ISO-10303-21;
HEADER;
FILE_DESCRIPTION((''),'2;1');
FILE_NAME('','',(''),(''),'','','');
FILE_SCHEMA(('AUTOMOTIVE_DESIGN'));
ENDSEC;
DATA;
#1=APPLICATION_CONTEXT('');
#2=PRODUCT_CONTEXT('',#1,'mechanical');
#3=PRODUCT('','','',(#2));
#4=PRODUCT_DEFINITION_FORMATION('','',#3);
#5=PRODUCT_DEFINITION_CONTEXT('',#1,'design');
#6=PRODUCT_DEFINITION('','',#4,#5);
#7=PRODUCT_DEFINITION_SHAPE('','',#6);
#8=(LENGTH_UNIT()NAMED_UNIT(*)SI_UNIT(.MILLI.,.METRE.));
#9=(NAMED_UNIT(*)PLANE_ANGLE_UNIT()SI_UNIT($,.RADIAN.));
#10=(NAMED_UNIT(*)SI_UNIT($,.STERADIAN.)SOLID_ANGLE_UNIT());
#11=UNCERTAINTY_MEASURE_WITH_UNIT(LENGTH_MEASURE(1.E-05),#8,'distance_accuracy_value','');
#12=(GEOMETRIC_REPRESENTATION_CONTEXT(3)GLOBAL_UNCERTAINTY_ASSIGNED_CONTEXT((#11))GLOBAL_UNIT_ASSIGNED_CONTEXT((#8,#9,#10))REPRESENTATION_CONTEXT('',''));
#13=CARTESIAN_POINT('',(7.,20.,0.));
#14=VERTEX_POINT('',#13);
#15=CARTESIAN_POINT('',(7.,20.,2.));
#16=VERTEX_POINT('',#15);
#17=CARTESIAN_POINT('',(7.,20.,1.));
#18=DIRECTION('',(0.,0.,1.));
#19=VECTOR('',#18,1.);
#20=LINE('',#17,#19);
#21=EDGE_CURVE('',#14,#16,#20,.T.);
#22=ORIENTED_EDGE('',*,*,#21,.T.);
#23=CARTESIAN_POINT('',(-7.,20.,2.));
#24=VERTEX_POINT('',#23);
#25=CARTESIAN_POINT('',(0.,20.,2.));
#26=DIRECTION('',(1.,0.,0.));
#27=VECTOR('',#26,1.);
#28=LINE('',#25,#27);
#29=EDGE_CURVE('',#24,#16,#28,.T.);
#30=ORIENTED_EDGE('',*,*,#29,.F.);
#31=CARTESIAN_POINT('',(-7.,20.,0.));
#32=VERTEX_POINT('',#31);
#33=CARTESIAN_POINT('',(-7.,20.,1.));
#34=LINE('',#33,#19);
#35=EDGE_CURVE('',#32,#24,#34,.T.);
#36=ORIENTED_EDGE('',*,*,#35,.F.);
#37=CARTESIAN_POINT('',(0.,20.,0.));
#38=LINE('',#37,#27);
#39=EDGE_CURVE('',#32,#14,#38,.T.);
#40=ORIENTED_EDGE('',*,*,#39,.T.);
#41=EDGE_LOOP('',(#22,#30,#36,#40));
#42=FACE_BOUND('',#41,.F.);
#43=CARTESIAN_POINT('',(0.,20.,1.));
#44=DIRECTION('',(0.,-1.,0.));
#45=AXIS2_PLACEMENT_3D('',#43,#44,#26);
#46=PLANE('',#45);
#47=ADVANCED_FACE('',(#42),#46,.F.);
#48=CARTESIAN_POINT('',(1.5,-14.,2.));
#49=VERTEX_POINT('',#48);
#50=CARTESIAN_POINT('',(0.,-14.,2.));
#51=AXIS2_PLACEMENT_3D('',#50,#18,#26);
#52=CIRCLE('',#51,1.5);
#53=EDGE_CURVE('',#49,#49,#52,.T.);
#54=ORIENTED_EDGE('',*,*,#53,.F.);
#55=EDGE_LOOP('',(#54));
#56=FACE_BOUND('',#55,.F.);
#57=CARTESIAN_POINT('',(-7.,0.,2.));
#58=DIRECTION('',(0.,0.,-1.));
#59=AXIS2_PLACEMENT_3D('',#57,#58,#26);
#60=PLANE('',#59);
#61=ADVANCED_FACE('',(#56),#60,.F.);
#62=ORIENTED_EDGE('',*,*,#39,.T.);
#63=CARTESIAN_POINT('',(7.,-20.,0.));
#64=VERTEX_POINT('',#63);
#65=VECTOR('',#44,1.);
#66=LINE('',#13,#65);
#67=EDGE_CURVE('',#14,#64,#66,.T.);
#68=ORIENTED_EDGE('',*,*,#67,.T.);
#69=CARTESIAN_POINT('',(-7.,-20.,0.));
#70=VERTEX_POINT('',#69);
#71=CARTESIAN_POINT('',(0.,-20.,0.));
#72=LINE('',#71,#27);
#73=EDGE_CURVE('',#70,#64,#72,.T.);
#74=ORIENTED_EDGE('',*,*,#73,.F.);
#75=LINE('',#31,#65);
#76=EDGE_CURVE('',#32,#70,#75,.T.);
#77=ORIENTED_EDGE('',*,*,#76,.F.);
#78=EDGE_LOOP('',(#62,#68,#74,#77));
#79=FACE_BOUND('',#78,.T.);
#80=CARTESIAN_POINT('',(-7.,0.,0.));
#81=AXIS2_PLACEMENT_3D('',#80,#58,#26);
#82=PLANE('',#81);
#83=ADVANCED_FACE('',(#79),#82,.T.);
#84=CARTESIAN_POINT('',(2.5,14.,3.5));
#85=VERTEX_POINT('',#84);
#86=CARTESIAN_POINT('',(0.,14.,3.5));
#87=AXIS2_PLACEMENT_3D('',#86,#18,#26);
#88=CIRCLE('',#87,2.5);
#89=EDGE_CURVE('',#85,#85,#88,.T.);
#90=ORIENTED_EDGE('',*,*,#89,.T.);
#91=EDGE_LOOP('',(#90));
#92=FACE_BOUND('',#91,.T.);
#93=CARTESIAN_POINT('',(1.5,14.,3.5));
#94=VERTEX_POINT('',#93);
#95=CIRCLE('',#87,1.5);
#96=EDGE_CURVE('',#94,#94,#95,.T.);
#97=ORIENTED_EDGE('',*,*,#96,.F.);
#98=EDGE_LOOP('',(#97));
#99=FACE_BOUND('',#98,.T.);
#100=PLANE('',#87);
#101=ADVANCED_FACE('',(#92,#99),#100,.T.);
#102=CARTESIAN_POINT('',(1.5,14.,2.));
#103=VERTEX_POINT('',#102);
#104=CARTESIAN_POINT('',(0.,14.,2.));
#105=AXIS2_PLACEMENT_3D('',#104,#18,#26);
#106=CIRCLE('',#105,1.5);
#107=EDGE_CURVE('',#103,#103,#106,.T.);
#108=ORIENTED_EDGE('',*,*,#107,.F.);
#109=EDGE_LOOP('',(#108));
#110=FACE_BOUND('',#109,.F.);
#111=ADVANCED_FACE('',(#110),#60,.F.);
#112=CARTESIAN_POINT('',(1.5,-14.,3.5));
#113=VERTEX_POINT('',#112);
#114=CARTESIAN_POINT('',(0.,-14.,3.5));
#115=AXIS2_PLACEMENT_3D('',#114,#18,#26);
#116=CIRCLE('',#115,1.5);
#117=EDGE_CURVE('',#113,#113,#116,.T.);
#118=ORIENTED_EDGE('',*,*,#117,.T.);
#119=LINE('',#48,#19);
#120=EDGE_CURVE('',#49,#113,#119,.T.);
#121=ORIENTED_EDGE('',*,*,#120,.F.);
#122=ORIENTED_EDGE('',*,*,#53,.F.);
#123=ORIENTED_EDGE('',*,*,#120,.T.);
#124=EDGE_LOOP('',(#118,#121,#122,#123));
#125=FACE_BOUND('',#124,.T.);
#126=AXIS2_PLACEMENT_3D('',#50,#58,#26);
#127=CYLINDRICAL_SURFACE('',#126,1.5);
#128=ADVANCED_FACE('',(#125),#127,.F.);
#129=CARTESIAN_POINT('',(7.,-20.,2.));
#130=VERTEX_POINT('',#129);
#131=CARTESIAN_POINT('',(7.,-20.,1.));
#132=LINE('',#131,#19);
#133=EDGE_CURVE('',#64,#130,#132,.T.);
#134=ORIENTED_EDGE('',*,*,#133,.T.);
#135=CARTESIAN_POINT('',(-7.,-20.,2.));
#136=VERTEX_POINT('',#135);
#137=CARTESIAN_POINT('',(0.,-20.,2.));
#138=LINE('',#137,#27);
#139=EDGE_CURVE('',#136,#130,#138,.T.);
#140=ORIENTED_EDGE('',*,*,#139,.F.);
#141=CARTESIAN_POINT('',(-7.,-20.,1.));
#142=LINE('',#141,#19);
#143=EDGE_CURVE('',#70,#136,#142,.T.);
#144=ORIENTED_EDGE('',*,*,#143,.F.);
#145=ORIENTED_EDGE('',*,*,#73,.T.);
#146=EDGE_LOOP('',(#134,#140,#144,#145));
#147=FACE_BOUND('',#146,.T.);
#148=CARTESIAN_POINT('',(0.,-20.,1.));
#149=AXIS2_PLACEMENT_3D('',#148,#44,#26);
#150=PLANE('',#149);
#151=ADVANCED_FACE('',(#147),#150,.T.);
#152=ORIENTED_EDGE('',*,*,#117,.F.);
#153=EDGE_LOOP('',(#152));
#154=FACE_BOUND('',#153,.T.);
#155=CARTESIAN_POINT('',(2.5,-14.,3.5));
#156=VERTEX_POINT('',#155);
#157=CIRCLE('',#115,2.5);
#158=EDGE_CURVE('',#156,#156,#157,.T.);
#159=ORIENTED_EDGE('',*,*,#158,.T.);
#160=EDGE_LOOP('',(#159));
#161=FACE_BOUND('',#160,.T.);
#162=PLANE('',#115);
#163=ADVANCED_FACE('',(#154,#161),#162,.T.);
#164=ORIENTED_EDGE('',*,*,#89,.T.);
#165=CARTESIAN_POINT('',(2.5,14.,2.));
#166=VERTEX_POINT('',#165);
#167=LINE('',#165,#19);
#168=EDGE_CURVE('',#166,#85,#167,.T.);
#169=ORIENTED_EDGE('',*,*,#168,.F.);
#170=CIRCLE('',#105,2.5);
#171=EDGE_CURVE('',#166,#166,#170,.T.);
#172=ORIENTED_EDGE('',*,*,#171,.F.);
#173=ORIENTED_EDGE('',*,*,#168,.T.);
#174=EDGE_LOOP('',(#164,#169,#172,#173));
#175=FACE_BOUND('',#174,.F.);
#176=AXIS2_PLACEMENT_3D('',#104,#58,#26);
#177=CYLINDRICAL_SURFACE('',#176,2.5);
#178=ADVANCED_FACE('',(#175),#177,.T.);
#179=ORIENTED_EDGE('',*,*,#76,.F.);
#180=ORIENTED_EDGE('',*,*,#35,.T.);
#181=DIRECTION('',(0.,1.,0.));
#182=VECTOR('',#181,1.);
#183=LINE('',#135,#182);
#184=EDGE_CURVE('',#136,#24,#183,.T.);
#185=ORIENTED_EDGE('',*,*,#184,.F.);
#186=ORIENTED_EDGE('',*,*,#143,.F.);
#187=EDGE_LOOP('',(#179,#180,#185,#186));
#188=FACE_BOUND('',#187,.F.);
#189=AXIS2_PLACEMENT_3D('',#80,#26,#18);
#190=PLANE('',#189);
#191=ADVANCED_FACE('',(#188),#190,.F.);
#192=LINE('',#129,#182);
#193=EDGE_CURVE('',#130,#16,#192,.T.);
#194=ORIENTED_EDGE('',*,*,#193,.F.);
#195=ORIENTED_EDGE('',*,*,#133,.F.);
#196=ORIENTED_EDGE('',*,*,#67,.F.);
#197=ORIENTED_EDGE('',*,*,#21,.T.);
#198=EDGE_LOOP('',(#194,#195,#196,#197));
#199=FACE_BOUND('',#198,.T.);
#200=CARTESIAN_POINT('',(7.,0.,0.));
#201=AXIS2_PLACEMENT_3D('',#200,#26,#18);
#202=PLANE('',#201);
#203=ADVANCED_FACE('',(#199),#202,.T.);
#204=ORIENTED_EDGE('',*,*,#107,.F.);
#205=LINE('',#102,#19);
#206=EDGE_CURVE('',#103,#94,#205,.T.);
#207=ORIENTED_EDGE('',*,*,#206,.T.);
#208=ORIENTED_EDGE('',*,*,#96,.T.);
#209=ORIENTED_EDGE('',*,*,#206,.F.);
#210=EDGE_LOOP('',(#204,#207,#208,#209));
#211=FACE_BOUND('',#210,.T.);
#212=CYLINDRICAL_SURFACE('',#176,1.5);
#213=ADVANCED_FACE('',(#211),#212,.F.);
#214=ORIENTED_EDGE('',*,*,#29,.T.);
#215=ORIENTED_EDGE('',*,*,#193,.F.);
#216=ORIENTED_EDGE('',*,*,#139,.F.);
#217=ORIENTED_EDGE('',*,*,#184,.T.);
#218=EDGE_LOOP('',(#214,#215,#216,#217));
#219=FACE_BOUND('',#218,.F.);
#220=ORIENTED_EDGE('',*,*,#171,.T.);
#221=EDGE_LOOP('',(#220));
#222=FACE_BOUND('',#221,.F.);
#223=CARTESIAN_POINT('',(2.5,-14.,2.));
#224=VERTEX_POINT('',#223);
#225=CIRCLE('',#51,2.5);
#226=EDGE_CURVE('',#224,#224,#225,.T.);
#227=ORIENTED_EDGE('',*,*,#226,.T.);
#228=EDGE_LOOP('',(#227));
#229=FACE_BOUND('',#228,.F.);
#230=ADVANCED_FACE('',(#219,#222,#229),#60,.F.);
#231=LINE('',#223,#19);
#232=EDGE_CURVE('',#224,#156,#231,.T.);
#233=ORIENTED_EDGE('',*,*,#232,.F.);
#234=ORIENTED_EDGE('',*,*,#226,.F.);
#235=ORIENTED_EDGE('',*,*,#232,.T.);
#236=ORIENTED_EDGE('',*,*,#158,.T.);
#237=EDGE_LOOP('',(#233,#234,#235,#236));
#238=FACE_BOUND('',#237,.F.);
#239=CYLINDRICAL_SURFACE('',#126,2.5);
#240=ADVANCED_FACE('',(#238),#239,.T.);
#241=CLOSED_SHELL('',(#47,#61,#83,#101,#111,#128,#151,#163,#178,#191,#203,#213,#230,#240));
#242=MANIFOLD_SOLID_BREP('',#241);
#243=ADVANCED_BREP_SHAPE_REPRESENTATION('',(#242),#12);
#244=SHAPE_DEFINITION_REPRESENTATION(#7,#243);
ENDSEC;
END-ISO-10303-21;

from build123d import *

# Parameters (mm, degrees)
F0_W          = 14
F0_H          = 2
F1_DEPTH      = 20
F1_DEPTH_BACK = 20
F2_R          = 2.5
F2_R_2        = 1.5
F3_DEPTH      = 1.5


with BuildPart() as f1:
    # F0 (on Front) → F1 (new body, two sides)
    with BuildSketch(Plane.XZ) as f1_sk:
        with Locations((0, 1)):
            Rectangle(F0_W, F0_H)
    extrude(amount=F1_DEPTH)
    extrude(f1_sk.sketch, amount=-F1_DEPTH_BACK)

    # F2 (on face) → F3 (join)
    with BuildSketch(Plane.XY.offset(2)):
        with Locations((0, 14)):
            Circle(F2_R)
        with Locations((0, 14)):
            Circle(F2_R_2, mode=Mode.SUBTRACT)
        with Locations((0, -14)):
            Circle(F2_R)
        with Locations((0, -14)):
            Circle(F2_R_2, mode=Mode.SUBTRACT)
    extrude(amount=F3_DEPTH)


solid = f1.part
